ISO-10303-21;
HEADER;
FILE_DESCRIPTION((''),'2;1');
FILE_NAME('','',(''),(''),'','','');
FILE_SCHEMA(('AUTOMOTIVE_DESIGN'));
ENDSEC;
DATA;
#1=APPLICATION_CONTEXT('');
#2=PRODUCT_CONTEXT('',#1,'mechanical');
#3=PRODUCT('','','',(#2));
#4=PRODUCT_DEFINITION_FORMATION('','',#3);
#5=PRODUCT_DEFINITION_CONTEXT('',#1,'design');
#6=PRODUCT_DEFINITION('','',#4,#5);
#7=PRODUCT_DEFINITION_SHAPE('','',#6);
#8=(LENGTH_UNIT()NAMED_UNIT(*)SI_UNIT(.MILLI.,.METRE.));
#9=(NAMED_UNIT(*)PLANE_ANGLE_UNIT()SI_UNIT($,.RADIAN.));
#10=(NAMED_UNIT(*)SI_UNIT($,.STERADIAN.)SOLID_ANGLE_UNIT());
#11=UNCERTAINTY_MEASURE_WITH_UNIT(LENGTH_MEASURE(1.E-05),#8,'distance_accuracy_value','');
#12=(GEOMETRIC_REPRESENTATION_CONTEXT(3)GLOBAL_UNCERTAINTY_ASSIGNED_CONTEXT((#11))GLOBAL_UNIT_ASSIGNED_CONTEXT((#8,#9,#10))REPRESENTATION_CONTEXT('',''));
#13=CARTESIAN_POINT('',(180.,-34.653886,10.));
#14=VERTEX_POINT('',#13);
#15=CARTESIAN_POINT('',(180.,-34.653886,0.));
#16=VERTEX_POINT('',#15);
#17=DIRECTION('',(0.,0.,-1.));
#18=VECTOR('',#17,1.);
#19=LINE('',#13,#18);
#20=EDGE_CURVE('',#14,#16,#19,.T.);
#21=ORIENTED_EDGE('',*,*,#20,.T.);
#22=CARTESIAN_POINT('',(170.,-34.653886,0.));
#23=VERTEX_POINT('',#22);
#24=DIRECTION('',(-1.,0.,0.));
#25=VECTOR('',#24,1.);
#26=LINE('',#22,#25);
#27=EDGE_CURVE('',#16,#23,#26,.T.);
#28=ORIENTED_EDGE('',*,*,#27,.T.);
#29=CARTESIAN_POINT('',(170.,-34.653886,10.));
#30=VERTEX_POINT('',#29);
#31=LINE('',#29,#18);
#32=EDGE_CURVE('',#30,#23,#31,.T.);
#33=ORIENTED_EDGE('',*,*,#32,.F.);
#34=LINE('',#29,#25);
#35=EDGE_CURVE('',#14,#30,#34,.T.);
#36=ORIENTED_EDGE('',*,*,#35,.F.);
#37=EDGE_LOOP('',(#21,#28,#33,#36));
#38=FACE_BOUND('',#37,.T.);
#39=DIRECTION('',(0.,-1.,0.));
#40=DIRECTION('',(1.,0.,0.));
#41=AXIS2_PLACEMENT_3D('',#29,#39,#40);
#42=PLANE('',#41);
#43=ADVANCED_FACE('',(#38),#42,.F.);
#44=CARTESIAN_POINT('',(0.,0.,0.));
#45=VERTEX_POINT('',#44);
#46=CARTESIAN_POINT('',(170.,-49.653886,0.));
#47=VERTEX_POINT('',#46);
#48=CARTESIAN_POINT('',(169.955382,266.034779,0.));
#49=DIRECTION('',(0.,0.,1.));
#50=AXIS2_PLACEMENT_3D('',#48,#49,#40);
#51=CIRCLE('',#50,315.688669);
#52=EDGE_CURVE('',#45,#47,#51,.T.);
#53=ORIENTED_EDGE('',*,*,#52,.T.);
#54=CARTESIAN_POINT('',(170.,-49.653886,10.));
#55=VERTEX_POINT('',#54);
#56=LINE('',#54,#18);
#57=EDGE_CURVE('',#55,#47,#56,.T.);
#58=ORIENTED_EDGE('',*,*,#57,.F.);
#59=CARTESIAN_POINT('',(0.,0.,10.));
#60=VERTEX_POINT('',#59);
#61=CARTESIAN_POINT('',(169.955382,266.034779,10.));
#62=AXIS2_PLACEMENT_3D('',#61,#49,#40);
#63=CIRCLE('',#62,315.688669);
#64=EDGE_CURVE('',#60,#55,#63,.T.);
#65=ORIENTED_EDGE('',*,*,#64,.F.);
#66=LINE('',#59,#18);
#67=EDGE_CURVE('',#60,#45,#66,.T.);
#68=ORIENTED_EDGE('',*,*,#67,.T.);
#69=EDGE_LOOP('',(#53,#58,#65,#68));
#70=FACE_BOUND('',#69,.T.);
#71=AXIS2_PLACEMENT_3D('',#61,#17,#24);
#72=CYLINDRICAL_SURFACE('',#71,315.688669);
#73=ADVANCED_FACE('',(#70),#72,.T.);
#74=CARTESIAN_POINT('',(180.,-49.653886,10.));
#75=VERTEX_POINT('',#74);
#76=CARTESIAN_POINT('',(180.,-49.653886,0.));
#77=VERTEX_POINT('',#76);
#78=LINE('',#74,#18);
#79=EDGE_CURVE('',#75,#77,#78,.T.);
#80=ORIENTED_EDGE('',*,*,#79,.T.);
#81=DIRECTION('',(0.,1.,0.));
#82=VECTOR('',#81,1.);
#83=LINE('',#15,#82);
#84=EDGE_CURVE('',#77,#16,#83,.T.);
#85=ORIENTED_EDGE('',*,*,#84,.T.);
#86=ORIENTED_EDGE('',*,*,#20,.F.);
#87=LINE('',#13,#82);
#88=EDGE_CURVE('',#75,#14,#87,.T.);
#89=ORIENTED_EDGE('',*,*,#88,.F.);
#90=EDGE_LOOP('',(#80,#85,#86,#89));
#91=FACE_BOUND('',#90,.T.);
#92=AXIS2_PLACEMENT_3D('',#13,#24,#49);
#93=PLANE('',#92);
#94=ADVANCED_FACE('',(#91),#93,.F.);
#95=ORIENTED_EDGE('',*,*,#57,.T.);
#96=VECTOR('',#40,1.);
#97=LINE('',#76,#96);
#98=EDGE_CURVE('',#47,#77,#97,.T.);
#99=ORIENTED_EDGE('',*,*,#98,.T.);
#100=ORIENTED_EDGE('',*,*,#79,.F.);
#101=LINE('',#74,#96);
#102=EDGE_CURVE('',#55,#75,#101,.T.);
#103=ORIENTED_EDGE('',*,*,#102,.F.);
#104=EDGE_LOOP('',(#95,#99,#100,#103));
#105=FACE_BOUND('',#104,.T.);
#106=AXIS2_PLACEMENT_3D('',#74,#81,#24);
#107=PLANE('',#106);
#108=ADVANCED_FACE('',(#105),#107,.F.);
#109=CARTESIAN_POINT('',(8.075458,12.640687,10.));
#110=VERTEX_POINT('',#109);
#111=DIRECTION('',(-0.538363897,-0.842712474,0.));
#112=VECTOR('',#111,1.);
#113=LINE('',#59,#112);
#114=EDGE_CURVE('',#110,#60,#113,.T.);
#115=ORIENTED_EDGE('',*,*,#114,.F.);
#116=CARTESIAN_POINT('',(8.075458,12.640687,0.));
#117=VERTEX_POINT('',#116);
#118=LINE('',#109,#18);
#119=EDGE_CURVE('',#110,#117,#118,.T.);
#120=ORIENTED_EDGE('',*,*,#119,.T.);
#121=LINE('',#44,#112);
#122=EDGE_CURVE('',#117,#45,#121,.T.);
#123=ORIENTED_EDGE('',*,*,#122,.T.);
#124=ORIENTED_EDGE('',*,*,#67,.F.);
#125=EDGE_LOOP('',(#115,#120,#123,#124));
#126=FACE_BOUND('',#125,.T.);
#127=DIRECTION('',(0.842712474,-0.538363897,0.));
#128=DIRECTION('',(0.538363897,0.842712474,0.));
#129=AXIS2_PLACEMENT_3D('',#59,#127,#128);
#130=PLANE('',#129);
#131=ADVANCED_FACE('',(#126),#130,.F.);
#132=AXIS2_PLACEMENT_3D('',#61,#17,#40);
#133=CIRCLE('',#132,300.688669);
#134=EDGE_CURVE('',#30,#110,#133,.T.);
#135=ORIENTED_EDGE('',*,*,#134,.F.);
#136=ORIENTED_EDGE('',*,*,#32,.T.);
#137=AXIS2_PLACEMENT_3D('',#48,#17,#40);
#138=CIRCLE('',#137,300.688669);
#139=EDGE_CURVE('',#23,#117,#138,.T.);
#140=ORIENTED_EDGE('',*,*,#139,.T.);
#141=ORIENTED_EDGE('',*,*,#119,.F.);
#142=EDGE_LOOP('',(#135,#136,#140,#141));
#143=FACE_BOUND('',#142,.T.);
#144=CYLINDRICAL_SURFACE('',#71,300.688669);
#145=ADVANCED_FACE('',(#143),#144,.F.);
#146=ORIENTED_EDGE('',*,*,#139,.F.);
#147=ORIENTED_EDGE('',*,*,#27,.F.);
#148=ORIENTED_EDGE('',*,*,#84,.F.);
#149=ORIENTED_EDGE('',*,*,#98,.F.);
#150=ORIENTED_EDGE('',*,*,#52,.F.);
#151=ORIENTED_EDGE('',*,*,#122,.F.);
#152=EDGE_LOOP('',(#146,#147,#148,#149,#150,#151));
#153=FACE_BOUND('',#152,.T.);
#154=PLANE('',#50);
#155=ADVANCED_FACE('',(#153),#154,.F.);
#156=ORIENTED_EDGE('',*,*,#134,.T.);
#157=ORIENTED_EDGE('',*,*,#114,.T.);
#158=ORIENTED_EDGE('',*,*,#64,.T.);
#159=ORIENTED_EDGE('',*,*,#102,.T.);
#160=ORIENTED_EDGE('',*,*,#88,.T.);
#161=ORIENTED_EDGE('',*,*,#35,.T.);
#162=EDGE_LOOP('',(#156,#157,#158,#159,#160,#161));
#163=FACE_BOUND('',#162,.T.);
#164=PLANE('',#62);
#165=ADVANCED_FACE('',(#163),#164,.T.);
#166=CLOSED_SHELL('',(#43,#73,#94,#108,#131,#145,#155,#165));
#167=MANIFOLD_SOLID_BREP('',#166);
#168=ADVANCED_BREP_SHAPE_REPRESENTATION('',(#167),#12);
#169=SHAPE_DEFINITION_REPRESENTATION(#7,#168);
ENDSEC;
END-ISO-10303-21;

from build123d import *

# Parameters (mm, degrees)
BOSS_EXTRU_1_DEPTH = 10


with BuildPart() as part:
    # Esquisse2 → Boss.-Extru.1 (new body)
    with BuildSketch(Plane.XY):
        with BuildLine():
            Line((0, 0), (8.075458452, 12.640687117))
            ThreePointArc((8.075458452, 12.640687117), (85.653183343, -22.594420352), (170, -34.65388624))
            Line((170, -34.65388624), (180, -34.65388624))
            Line((180, -34.65388624), (180, -49.653886398))
            Line((180, -49.653886398), (170, -49.653886398))
            ThreePointArc((170, -49.653886398), (81.44665904, -36.992515867), (0, 0))
        make_face()
    extrude(amount=BOSS_EXTRU_1_DEPTH)


solid = part.part
